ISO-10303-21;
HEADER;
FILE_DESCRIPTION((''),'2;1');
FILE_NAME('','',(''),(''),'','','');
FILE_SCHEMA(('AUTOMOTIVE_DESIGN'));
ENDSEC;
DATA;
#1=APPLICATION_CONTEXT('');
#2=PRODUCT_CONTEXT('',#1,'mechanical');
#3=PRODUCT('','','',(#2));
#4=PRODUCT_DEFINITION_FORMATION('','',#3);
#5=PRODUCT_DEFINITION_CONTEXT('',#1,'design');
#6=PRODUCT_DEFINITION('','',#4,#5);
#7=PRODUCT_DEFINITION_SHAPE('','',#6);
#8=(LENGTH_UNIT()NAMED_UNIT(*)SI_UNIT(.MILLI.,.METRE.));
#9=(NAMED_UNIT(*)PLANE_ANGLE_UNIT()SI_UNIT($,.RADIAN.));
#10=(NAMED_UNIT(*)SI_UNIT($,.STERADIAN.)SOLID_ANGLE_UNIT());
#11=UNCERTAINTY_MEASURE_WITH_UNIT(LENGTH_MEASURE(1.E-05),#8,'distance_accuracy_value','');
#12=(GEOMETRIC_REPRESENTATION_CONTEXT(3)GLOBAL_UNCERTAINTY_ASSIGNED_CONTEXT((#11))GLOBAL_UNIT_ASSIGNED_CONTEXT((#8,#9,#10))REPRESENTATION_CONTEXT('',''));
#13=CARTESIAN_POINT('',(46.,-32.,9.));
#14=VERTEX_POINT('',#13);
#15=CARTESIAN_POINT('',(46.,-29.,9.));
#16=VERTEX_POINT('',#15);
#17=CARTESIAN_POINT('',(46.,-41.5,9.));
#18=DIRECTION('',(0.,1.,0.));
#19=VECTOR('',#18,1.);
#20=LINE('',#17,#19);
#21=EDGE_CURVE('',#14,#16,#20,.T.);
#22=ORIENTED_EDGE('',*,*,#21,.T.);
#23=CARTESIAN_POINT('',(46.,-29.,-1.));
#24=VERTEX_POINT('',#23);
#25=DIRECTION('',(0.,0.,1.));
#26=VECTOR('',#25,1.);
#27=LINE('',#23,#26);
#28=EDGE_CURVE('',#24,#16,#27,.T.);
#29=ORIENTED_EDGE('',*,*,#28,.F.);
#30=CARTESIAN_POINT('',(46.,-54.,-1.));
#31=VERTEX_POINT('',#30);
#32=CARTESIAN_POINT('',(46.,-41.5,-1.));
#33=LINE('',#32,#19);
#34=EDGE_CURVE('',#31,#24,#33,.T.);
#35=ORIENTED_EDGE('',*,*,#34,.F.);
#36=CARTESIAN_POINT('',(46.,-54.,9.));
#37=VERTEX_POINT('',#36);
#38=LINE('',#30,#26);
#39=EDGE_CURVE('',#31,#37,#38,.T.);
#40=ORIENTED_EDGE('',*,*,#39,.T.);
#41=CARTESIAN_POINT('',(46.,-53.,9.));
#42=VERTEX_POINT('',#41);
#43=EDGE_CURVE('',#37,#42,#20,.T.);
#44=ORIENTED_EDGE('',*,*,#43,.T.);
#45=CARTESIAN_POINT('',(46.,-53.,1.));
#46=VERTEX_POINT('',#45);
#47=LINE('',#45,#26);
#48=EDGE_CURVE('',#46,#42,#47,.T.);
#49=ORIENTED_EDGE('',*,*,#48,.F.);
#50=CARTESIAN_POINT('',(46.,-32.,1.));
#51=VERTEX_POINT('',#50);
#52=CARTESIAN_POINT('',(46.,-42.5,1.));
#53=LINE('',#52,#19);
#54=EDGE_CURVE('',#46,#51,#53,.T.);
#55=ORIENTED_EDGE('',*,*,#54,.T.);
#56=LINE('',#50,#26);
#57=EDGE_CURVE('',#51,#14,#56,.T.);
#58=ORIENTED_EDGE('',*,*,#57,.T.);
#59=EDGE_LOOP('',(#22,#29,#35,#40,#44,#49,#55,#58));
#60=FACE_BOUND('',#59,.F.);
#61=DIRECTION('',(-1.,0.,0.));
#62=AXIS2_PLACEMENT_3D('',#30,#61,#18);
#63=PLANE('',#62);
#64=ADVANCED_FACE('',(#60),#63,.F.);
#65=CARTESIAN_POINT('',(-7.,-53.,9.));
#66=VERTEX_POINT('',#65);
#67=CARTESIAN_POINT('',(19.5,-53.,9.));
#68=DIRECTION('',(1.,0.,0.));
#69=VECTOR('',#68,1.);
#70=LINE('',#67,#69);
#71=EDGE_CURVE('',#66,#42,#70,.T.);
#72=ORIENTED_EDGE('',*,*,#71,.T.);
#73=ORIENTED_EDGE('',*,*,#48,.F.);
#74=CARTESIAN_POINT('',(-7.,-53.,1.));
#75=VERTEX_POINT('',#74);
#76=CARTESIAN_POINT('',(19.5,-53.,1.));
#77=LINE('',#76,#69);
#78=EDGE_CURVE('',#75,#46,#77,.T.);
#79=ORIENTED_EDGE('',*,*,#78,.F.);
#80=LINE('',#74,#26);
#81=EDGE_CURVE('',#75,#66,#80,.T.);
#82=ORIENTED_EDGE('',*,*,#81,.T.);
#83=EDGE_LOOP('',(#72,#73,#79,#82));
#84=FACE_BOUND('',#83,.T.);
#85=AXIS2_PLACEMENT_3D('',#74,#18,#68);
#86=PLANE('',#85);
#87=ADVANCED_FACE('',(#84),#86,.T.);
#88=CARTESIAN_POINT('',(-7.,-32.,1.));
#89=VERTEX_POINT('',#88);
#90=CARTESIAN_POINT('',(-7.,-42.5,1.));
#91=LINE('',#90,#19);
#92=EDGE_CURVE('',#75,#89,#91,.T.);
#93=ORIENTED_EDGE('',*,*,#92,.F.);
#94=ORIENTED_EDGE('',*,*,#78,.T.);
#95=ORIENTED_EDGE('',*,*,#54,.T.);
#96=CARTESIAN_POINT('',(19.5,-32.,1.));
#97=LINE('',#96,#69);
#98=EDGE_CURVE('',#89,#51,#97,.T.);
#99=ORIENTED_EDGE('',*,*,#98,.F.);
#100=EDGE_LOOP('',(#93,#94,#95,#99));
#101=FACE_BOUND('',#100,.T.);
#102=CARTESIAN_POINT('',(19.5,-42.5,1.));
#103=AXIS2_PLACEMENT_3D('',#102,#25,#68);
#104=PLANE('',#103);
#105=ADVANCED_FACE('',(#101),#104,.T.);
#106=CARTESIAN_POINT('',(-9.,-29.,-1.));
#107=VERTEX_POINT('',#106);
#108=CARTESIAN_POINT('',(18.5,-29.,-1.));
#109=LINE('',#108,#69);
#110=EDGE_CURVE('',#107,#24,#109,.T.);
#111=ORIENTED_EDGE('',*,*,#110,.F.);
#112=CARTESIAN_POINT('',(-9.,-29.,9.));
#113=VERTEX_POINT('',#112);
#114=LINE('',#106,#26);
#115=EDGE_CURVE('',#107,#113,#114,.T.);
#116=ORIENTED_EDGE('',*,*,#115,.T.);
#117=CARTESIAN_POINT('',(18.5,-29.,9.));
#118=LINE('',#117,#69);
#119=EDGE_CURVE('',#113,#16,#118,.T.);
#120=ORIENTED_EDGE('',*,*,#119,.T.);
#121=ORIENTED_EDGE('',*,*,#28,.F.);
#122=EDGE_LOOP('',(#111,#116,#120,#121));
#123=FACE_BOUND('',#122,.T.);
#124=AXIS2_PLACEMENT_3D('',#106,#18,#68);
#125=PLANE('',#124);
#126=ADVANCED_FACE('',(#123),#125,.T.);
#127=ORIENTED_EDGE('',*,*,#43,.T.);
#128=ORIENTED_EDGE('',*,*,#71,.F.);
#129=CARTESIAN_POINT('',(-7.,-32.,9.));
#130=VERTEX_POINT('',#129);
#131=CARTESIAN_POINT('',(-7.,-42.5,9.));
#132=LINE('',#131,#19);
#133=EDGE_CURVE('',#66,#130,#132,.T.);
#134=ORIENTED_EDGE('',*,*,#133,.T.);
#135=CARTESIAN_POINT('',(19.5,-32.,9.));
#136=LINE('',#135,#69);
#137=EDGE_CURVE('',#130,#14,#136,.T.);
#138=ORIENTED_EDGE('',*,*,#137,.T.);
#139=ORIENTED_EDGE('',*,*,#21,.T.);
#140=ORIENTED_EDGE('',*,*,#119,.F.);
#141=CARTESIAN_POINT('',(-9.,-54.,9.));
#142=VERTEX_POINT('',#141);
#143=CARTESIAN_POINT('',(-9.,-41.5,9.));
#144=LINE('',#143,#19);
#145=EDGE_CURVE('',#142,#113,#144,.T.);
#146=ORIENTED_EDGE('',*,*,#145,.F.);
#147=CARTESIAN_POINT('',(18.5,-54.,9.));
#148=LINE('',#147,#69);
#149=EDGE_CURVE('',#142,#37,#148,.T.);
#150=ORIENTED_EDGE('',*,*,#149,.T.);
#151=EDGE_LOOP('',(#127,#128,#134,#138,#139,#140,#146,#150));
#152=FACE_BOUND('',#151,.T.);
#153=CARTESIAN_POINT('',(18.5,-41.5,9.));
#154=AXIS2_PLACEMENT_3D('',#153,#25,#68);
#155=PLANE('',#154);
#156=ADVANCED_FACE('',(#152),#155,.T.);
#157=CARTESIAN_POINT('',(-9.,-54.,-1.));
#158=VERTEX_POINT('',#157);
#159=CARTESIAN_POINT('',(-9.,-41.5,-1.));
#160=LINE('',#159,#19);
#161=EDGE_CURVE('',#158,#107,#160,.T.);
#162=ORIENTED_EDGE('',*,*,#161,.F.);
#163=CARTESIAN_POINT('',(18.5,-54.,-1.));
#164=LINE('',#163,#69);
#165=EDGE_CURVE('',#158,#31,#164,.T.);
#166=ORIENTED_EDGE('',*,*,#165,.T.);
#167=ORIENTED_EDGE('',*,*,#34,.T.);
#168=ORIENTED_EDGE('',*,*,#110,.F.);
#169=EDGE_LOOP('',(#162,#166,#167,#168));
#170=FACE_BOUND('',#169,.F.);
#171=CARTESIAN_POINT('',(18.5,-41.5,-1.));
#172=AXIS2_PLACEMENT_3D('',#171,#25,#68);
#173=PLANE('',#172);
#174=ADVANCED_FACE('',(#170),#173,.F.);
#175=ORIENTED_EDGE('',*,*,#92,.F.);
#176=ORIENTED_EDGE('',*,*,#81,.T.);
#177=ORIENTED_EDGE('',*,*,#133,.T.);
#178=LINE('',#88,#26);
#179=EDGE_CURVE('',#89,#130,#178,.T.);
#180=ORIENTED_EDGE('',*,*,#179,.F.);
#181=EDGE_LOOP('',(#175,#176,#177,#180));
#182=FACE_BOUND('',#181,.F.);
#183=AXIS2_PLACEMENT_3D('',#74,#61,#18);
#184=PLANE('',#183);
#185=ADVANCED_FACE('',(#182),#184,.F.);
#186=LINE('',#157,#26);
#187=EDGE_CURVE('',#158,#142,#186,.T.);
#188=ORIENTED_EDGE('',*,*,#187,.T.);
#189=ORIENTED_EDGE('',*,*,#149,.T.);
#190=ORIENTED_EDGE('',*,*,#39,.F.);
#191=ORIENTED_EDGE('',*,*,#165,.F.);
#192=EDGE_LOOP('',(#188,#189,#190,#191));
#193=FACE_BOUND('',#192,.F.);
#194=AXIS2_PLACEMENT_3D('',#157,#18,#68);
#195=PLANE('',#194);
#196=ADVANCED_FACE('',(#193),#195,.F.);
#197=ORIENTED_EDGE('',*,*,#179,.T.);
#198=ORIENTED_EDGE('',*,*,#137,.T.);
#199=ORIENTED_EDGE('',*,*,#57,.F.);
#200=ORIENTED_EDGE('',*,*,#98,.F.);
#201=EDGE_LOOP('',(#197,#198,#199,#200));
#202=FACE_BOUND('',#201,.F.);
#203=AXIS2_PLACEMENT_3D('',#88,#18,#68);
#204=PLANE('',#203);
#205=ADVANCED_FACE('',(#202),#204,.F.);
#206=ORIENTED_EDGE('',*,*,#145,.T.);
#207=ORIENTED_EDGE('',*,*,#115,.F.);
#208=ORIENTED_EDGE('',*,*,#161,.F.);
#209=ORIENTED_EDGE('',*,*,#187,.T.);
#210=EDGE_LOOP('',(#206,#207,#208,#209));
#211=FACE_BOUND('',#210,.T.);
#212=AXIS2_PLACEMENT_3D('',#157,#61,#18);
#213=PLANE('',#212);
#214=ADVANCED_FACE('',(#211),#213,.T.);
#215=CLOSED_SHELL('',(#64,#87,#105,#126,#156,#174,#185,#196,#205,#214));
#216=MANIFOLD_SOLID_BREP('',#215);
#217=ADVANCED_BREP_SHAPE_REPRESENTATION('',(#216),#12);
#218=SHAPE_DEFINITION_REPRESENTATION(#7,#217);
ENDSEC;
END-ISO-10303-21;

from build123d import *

# Parameters (mm, degrees)
BOX002_W     = 53
BOX002_H     = 21
BOX002_DEPTH = 8
BOX001_W     = 55
BOX001_H     = 25
BOX001_DEPTH = 10


with BuildPart() as cube002:
    # Box002 → Box002 (new body)
    with BuildSketch(Plane(origin=(-7, -53, 2), x_dir=(1, 0, 0), z_dir=(0, 0, 1))):
        with Locations((26.5, 10.5)):
            Rectangle(BOX002_W, BOX002_H)
    extrude(amount=BOX002_DEPTH)


with BuildPart() as cut:
    # Box001 → Box001 (new body)
    with BuildSketch(Plane(origin=(-9, -54, 0), x_dir=(1, 0, 0), z_dir=(0, 0, 1))):
        with Locations((27.5, 12.5)):
            Rectangle(BOX001_W, BOX001_H)
    extrude(amount=BOX001_DEPTH)

    # Cut: cut Cube002
    add(cube002.part, mode=Mode.SUBTRACT)


with BuildPart() as cut_1:
    # Cut placement: moved
    add(cut.part.moved(Location((0, 0, -1))))


solid = cut_1.part
